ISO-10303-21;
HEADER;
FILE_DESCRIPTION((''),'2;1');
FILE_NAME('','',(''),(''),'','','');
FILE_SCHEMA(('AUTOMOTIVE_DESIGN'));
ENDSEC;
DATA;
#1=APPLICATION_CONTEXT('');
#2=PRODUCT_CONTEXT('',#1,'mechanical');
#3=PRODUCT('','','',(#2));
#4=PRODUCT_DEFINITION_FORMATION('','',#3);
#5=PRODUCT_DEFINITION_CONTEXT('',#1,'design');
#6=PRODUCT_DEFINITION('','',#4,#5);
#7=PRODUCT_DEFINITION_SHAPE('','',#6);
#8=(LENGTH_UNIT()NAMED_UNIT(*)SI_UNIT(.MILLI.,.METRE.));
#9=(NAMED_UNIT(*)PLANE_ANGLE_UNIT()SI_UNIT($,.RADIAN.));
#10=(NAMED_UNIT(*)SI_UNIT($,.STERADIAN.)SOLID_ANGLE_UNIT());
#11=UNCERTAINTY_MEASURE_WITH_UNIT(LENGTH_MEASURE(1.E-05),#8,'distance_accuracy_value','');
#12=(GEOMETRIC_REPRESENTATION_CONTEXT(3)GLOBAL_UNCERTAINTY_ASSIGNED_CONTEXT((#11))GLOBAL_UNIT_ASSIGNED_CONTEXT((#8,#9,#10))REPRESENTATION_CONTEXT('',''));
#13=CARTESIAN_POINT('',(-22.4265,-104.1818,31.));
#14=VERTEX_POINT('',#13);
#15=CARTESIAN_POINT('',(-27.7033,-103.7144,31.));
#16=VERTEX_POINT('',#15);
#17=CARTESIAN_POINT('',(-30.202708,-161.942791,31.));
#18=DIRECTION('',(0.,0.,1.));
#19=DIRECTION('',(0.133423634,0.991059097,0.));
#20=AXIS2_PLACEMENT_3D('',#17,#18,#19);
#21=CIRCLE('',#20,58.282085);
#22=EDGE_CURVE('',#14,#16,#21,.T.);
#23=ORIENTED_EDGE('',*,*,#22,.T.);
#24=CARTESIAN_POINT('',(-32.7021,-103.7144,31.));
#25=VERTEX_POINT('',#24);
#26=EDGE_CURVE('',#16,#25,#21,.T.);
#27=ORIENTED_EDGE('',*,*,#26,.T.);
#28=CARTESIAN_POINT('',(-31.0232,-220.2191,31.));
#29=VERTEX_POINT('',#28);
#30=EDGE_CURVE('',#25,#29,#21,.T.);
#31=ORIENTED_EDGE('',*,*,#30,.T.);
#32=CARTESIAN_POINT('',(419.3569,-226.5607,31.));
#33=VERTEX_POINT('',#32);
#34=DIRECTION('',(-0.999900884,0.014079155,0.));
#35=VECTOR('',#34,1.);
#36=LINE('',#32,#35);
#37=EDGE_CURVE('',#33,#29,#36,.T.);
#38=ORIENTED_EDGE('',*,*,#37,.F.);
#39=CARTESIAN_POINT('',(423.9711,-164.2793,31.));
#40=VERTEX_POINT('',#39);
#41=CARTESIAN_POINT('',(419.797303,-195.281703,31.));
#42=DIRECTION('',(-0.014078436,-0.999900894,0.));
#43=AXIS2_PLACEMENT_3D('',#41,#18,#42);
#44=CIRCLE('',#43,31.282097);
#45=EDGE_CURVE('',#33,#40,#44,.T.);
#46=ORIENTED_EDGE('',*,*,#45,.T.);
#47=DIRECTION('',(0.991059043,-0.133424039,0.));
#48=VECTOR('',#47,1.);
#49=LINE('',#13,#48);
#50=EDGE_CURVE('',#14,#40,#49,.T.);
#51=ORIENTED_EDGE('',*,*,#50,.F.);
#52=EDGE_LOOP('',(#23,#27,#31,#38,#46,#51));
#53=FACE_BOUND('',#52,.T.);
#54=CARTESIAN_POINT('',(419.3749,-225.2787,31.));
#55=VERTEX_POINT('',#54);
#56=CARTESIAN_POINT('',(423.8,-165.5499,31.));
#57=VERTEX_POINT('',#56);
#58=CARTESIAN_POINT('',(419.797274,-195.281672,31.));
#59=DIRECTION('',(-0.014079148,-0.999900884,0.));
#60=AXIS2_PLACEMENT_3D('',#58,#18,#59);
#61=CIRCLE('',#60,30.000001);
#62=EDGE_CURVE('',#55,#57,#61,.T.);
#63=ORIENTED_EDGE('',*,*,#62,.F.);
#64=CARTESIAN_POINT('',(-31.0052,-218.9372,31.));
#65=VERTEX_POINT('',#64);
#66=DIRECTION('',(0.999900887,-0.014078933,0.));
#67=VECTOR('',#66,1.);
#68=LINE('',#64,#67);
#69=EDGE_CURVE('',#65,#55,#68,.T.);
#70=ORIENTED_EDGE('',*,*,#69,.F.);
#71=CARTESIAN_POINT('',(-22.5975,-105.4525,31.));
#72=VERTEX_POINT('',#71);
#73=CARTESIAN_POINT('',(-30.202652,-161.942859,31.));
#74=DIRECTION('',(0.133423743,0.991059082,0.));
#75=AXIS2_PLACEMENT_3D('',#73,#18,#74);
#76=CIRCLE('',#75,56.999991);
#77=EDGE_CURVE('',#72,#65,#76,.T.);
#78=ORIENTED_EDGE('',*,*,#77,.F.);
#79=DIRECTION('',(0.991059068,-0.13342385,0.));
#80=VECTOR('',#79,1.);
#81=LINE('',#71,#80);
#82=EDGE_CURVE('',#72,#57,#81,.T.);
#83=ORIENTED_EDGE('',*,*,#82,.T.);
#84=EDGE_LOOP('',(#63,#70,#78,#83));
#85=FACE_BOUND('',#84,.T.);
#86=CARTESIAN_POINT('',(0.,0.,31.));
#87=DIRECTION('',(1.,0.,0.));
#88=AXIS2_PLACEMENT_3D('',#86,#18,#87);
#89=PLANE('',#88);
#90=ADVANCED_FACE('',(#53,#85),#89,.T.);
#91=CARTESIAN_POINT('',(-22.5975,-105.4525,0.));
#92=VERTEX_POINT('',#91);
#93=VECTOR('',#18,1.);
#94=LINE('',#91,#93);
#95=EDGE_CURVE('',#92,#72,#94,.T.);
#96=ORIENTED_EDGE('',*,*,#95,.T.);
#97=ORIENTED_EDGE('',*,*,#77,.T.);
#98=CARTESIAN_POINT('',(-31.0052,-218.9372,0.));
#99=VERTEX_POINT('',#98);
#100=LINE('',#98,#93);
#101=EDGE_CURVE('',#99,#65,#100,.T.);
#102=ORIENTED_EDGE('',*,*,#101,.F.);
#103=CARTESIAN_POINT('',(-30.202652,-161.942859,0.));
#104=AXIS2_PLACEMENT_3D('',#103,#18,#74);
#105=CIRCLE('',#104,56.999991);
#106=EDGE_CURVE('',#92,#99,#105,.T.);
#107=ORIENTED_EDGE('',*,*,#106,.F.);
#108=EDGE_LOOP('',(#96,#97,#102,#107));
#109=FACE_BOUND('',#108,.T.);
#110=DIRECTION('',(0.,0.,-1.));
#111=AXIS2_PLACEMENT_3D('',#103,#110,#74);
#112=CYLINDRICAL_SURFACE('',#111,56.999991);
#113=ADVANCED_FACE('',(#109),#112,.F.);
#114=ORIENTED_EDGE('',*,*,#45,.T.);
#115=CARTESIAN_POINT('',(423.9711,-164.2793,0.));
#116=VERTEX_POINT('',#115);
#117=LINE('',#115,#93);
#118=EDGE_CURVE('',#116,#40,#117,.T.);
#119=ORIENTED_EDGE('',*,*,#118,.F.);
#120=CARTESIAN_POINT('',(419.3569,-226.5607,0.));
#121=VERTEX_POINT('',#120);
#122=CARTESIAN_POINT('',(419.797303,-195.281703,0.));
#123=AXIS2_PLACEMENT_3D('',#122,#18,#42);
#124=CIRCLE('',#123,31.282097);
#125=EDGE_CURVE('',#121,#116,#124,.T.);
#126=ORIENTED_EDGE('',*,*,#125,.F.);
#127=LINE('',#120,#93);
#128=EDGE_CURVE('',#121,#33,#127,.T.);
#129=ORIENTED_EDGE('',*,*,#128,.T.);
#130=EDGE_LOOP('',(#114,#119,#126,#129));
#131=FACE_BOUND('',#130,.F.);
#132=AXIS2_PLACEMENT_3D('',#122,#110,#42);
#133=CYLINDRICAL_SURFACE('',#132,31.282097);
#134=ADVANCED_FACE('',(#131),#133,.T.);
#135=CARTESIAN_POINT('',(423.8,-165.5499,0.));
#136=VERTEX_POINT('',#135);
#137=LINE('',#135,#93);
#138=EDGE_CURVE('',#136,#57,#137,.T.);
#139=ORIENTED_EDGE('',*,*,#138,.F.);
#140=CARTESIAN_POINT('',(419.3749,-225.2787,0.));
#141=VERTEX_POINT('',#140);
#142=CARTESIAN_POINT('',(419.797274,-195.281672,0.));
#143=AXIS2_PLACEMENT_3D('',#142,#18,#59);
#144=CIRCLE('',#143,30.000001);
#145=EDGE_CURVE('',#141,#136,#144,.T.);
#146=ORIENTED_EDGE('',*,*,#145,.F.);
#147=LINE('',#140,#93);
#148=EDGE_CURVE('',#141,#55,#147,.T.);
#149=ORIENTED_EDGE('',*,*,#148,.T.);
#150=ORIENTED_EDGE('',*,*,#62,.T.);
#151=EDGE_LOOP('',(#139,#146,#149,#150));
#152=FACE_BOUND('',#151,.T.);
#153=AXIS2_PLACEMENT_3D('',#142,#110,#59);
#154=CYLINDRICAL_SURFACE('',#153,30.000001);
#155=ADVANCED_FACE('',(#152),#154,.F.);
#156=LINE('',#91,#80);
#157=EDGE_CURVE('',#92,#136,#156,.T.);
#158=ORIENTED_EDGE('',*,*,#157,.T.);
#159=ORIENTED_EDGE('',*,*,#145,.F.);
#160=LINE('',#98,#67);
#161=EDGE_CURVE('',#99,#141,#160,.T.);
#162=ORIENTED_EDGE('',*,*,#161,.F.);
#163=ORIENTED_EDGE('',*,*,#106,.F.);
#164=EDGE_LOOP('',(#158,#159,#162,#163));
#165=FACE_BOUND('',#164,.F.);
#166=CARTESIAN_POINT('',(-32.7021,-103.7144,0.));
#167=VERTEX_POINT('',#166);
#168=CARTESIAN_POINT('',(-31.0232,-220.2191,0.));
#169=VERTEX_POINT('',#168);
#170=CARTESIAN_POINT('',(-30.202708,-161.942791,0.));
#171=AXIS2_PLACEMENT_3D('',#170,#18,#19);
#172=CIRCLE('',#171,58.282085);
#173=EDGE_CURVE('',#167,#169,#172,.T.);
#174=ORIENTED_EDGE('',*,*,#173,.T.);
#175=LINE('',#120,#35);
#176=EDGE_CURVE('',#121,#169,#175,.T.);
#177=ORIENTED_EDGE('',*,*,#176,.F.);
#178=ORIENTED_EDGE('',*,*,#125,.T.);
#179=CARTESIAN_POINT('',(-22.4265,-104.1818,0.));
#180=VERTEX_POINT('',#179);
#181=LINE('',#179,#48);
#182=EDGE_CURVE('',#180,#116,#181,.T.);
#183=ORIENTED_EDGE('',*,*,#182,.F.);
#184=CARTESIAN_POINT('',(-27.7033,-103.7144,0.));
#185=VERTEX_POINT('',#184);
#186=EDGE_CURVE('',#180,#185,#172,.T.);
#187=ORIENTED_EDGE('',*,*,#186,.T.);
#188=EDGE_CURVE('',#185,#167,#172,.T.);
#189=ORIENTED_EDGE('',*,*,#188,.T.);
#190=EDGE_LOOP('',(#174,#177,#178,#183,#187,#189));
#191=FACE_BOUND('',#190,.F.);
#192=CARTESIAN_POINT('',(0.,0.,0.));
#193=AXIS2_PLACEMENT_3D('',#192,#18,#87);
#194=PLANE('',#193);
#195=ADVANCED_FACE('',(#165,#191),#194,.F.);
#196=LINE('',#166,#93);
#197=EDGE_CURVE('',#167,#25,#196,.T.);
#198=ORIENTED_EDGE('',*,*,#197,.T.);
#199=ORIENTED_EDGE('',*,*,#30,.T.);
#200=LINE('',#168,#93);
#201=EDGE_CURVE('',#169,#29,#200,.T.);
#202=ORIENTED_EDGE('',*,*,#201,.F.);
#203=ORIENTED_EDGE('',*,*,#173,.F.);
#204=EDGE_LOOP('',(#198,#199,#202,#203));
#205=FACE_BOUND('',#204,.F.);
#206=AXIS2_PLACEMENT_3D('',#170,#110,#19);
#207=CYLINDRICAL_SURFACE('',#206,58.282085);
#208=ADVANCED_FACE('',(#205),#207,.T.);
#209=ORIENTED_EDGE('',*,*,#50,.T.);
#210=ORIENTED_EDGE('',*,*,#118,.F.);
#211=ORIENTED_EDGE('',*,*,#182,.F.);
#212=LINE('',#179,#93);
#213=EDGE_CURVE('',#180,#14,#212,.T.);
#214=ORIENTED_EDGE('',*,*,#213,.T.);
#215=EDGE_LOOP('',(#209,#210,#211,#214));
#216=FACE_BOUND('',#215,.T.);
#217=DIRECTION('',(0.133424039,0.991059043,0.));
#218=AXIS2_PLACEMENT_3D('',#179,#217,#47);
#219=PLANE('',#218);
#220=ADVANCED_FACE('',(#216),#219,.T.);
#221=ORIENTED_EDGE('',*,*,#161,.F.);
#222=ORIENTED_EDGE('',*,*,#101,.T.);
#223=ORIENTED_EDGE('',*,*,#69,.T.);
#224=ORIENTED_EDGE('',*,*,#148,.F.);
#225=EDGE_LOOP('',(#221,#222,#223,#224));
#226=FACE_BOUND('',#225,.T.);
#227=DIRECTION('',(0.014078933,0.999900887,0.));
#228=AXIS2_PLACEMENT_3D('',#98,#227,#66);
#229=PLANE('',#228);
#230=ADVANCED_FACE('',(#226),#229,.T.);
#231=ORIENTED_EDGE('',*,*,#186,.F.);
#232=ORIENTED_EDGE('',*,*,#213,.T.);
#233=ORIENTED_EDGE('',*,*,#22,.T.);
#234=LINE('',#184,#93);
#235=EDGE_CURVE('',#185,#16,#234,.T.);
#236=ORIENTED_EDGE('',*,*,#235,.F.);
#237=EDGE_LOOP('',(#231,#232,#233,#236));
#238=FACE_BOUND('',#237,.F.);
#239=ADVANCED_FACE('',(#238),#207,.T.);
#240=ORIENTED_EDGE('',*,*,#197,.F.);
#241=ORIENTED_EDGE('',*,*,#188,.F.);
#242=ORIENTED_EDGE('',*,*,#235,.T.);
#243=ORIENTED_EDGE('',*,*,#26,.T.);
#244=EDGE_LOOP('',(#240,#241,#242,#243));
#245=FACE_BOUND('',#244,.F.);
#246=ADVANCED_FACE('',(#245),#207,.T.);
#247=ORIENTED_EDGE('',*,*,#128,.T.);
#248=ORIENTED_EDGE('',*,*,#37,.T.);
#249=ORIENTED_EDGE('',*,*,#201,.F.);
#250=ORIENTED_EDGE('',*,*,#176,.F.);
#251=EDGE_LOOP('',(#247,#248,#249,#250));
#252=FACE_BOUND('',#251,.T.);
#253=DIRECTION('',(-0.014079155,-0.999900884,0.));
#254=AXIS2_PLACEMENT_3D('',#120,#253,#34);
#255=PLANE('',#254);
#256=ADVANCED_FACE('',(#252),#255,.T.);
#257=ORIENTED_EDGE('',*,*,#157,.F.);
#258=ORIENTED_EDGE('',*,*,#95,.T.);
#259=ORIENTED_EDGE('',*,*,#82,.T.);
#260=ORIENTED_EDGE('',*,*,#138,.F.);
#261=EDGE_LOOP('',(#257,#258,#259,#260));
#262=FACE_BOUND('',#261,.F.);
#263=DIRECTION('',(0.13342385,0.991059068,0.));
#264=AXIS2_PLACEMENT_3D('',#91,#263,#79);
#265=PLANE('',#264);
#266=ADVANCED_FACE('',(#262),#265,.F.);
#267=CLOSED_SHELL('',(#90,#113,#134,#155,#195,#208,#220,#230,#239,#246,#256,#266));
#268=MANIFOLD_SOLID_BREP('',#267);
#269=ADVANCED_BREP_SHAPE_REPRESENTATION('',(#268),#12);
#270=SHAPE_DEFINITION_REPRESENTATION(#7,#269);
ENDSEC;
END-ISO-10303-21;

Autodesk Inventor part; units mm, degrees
ref_plane "YZ Plane" through (0, 0, 0) normal (1, 0, 0) x (0, 1, 0)
ref_plane "XZ Plane" through (0, 0, 0) normal (0, 1, 0) x (-1, 0, 0)
ref_plane "XY Plane" through (0, 0, 0) normal (0, 0, 1) x (1, 0, 0)
sketch "Sketch1" plane through (0, 0, 0) normal (0, 0, 1) x (1, 0, 0)
  arc A0 (-22.5975, -105.4525) -> (-31.0052, -218.9372) centre (-30.2027, -161.9428) ccw
  arc A1 (419.3749, -225.2787) -> (423.8, -165.5499) centre (419.7973, -195.2817) ccw
  line L0 (-22.5975, -105.4525) -> (423.8, -165.5499)
  line L1 (-31.0052, -218.9372) -> (419.3749, -225.2787)
  arc A2 (-22.4265, -104.1818) -> (-31.0232, -220.2191) centre (-30.2027, -161.9428) ccw
  line L2 (-22.4265, -104.1818) -> (423.9711, -164.2793)
  arc A3 (419.3569, -226.5607) -> (423.9711, -164.2793) centre (419.7973, -195.2817) ccw
  line L3 (419.3569, -226.5607) -> (-31.0232, -220.2191)
  arc A4 (-27.7033, -103.7144) -> (-32.7021, -103.7144) centre (-30.2027, -103.6607) ccw
  point P0 (0, 0)
  dimension "d1" = 57
  dimension "d2" = 30
  dimension "d3" = 450
  dimension "d4" = 1.2821
  dimension "d7" = 5
extrude "Extrusion1" add sketch "Sketch1" along normal blind 31 contours L2 A3 L3 A2
sketch "Sketch2" plane through (0, 0, 0) normal (0, 0, -1) x (-1, 0, 0)
  point P0 (0, 0)
extrude "Extrusion3" [suppressed]
equation "\"d1\" = 0.5 * NagyKerekAtmero"
equation "\"d2\" = 0.5 * KisKerekAtmero"
equation "\"d5\" = SzíjSzélességA"
equation "\"NagyKerekAtmero\" = 114"
equation "\"KisKerekAtmero\" = 60"
equation "\"SzíjSzélességA\" = 31"
properties part number "Szij"
